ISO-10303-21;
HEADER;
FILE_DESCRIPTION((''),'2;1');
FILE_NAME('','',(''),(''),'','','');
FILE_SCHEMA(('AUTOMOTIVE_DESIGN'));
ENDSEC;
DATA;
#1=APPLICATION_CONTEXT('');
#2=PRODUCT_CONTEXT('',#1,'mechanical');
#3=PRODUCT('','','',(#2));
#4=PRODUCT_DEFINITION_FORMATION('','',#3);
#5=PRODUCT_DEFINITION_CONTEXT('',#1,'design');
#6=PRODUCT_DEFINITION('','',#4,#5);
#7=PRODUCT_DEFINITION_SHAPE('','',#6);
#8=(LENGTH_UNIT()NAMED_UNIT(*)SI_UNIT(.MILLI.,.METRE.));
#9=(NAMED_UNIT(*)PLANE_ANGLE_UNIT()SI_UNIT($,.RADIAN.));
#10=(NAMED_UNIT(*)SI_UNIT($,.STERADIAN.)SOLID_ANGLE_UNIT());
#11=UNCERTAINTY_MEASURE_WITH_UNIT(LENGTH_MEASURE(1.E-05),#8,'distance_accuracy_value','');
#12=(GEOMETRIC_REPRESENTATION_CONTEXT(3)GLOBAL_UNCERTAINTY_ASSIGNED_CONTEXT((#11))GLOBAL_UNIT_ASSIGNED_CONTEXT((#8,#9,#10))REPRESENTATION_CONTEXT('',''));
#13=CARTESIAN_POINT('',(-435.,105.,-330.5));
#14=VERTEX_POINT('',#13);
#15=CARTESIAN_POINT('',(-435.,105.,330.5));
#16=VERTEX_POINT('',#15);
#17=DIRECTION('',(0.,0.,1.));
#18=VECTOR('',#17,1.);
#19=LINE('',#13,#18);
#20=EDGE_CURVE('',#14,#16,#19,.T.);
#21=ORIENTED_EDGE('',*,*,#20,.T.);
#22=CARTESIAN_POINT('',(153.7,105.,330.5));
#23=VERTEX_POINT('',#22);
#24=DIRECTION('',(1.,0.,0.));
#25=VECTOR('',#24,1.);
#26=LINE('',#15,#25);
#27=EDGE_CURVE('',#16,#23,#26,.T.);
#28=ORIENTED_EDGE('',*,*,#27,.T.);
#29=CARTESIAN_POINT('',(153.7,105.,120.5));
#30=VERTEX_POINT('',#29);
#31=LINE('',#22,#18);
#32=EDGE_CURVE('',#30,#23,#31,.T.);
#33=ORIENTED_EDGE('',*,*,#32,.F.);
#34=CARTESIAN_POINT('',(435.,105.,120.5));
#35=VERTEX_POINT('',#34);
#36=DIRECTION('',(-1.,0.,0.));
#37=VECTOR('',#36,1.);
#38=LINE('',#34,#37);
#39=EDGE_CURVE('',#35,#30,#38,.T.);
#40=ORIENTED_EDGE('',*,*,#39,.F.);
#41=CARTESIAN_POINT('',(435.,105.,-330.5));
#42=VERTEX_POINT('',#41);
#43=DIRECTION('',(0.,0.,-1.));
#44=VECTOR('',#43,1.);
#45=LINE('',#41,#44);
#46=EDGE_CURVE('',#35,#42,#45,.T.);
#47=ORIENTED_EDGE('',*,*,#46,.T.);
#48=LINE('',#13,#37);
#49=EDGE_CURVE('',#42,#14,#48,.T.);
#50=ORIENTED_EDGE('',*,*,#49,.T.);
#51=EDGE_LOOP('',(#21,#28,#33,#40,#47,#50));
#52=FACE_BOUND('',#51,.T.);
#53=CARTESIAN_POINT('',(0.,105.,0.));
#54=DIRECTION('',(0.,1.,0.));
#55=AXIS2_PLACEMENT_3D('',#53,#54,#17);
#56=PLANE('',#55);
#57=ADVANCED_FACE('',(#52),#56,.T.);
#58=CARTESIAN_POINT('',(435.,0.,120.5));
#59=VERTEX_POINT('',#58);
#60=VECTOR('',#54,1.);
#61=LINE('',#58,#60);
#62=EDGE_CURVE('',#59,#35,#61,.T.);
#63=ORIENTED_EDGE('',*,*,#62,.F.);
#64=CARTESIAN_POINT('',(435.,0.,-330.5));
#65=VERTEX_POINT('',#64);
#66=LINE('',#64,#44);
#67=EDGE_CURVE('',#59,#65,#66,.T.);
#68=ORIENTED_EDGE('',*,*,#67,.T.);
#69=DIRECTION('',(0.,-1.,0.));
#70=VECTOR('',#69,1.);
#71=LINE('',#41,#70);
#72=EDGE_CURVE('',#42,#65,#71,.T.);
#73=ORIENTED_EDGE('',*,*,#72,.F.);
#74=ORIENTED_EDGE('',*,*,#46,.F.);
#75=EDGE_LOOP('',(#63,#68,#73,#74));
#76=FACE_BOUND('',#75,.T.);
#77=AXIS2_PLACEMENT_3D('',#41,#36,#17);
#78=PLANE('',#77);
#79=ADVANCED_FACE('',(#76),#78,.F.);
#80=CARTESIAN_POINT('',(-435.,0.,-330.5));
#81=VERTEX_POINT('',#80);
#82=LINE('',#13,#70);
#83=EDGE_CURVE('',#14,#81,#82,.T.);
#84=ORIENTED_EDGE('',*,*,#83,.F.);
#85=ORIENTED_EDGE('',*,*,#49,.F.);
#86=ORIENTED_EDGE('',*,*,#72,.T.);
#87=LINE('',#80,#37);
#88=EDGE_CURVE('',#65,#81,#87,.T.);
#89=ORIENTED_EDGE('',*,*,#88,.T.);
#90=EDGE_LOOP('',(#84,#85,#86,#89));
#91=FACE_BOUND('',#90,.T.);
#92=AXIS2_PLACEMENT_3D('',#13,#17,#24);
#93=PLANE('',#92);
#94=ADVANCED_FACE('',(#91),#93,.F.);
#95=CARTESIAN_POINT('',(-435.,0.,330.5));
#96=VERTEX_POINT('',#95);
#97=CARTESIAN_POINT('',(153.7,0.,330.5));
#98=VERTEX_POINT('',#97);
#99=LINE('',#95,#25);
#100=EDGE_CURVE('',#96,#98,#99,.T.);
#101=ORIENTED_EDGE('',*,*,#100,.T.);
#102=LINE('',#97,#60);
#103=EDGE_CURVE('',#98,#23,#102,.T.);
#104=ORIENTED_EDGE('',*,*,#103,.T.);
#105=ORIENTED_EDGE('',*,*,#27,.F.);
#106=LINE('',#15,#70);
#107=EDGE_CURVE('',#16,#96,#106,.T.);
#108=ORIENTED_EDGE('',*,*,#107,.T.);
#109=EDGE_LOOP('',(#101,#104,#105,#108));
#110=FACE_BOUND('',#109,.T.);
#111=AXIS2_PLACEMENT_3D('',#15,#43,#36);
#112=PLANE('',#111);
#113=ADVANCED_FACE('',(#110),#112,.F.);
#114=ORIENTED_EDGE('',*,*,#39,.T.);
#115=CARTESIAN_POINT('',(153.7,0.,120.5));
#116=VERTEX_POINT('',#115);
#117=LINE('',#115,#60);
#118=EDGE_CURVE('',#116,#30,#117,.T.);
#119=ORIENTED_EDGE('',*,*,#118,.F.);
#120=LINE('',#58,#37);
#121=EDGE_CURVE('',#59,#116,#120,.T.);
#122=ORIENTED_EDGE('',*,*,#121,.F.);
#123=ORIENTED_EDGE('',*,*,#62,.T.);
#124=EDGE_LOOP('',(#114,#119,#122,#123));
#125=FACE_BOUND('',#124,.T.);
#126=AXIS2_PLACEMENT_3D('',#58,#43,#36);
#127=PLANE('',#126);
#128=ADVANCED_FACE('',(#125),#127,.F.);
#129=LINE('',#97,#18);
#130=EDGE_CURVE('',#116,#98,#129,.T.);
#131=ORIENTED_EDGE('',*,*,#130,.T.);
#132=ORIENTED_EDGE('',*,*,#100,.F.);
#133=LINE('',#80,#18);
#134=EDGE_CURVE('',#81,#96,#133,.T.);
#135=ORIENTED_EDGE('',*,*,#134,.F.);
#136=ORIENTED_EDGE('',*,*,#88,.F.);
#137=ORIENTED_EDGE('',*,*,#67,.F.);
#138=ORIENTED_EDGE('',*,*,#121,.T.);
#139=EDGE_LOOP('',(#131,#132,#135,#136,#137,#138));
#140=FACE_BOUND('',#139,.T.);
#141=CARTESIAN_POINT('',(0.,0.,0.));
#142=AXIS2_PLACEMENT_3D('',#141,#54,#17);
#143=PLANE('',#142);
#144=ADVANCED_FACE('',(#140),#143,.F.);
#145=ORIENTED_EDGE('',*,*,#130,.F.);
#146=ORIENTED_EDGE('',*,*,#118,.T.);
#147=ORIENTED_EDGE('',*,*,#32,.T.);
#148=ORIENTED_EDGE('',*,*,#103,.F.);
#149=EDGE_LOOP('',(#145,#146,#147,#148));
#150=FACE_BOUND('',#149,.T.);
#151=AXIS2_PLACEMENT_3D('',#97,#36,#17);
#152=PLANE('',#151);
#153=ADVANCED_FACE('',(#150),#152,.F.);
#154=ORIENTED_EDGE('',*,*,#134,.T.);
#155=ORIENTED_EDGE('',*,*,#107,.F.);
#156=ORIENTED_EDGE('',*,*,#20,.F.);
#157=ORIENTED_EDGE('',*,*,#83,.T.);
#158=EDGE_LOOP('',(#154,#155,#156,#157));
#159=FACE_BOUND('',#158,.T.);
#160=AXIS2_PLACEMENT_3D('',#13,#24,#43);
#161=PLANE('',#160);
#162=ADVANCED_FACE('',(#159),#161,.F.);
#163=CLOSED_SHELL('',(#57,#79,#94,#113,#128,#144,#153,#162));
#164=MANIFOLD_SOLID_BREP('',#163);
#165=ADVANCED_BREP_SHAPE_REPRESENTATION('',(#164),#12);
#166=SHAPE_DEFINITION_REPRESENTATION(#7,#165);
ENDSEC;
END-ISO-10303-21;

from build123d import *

# Parameters (mm, degrees)
SKETCH1_W           = 870
SKETCH1_H           = 661
BOSS_EXTRUDE1_DEPTH = 105
SKETCH2_W           = 281.3
SKETCH2_H           = 210
CUT_EXTRUDE1_DEPTH  = 106


with BuildPart() as part:
    # Sketch1 → Boss-Extrude1 (new body)
    with BuildSketch(Plane(origin=(0, 0, 0), x_dir=(1, 0, 0), z_dir=(0, 1, 0))):
        Rectangle(SKETCH1_W, SKETCH1_H)
    extrude(amount=BOSS_EXTRUDE1_DEPTH)

    # Sketch2 → Cut-Extrude1 (cut, through all)
    with BuildSketch(Plane(origin=(0, 105, 0), x_dir=(1, 0, 0), z_dir=(0, 1, 0))):
        with Locations((294.35, -225.5)):
            Rectangle(SKETCH2_W, SKETCH2_H)
    extrude(amount=-CUT_EXTRUDE1_DEPTH, mode=Mode.SUBTRACT)


solid = part.part
